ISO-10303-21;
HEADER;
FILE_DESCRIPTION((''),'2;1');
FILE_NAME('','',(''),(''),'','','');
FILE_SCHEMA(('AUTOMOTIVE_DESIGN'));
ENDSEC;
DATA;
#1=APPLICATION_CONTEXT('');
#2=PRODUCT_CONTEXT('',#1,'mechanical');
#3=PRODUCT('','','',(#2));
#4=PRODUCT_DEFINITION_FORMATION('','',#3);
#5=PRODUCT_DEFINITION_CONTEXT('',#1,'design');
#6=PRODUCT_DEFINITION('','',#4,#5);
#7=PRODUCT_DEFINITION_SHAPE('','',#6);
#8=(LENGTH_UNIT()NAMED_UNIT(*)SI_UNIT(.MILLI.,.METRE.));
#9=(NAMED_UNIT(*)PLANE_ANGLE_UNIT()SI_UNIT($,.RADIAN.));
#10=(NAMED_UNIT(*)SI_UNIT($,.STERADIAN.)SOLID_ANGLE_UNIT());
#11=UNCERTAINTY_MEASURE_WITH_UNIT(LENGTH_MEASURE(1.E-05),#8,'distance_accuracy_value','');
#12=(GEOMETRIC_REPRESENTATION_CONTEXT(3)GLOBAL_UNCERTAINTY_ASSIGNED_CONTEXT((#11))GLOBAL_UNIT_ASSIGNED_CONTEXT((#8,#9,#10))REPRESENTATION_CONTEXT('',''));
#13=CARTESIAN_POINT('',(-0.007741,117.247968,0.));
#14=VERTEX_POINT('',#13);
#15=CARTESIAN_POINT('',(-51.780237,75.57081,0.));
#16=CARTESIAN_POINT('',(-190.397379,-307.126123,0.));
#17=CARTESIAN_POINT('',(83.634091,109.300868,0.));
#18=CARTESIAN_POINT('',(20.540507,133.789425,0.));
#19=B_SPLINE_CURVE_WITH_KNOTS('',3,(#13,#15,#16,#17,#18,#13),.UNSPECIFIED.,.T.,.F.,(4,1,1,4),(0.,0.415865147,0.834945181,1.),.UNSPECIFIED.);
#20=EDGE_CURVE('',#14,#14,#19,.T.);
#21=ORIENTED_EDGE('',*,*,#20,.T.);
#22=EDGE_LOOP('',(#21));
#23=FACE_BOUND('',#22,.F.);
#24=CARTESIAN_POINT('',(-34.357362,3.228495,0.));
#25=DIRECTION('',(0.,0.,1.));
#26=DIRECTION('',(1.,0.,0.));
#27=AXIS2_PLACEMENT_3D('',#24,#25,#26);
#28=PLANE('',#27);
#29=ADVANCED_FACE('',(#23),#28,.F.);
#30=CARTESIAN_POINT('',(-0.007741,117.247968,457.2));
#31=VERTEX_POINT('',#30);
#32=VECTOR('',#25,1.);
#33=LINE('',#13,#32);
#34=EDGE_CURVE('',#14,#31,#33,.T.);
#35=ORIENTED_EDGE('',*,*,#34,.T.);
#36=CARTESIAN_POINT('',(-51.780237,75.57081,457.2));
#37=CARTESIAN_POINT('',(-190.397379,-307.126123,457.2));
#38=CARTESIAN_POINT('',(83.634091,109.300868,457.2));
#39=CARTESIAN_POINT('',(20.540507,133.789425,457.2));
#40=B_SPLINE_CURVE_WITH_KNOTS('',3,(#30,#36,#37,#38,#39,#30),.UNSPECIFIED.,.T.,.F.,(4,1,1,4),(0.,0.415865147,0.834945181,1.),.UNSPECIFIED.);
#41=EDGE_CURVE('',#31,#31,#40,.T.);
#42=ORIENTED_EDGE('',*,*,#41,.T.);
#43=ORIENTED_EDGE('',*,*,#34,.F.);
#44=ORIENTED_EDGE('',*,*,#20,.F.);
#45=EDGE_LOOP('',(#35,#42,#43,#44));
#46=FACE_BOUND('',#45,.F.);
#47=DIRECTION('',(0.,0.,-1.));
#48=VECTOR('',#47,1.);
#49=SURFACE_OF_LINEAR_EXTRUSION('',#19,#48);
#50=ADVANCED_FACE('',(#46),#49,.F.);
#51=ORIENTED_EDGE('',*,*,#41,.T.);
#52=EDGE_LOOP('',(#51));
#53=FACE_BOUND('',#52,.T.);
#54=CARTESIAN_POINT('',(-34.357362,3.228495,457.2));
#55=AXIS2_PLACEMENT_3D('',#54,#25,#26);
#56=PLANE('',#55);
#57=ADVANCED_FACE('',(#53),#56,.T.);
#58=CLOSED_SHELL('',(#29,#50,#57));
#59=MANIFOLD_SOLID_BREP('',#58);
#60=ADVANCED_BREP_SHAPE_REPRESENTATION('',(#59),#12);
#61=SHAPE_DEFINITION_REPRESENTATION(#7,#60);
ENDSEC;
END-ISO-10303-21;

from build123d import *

# Parameters (mm, degrees)
F1_DEPTH = 457.2


with BuildPart() as f1:
    # F0 (on Top) → F1 (new body)
    with BuildSketch(Plane.XY):
        with BuildLine():
            add(Edge.make_bspline(
                [(-0.0077406246, 117.2479676022), (-51.7802370129, 75.5708101304), (-190.3973789919, -307.1261229526), (83.634090704, 109.3008677209), (20.5405069698, 133.7894251424), (-0.0077406246, 117.2479676022)],
                knots=[0, 0, 0, 0, 0.4158651468, 0.8349451813, 1, 1, 1, 1], degree=3))
        make_face()
    extrude(amount=F1_DEPTH)


solid = f1.part
